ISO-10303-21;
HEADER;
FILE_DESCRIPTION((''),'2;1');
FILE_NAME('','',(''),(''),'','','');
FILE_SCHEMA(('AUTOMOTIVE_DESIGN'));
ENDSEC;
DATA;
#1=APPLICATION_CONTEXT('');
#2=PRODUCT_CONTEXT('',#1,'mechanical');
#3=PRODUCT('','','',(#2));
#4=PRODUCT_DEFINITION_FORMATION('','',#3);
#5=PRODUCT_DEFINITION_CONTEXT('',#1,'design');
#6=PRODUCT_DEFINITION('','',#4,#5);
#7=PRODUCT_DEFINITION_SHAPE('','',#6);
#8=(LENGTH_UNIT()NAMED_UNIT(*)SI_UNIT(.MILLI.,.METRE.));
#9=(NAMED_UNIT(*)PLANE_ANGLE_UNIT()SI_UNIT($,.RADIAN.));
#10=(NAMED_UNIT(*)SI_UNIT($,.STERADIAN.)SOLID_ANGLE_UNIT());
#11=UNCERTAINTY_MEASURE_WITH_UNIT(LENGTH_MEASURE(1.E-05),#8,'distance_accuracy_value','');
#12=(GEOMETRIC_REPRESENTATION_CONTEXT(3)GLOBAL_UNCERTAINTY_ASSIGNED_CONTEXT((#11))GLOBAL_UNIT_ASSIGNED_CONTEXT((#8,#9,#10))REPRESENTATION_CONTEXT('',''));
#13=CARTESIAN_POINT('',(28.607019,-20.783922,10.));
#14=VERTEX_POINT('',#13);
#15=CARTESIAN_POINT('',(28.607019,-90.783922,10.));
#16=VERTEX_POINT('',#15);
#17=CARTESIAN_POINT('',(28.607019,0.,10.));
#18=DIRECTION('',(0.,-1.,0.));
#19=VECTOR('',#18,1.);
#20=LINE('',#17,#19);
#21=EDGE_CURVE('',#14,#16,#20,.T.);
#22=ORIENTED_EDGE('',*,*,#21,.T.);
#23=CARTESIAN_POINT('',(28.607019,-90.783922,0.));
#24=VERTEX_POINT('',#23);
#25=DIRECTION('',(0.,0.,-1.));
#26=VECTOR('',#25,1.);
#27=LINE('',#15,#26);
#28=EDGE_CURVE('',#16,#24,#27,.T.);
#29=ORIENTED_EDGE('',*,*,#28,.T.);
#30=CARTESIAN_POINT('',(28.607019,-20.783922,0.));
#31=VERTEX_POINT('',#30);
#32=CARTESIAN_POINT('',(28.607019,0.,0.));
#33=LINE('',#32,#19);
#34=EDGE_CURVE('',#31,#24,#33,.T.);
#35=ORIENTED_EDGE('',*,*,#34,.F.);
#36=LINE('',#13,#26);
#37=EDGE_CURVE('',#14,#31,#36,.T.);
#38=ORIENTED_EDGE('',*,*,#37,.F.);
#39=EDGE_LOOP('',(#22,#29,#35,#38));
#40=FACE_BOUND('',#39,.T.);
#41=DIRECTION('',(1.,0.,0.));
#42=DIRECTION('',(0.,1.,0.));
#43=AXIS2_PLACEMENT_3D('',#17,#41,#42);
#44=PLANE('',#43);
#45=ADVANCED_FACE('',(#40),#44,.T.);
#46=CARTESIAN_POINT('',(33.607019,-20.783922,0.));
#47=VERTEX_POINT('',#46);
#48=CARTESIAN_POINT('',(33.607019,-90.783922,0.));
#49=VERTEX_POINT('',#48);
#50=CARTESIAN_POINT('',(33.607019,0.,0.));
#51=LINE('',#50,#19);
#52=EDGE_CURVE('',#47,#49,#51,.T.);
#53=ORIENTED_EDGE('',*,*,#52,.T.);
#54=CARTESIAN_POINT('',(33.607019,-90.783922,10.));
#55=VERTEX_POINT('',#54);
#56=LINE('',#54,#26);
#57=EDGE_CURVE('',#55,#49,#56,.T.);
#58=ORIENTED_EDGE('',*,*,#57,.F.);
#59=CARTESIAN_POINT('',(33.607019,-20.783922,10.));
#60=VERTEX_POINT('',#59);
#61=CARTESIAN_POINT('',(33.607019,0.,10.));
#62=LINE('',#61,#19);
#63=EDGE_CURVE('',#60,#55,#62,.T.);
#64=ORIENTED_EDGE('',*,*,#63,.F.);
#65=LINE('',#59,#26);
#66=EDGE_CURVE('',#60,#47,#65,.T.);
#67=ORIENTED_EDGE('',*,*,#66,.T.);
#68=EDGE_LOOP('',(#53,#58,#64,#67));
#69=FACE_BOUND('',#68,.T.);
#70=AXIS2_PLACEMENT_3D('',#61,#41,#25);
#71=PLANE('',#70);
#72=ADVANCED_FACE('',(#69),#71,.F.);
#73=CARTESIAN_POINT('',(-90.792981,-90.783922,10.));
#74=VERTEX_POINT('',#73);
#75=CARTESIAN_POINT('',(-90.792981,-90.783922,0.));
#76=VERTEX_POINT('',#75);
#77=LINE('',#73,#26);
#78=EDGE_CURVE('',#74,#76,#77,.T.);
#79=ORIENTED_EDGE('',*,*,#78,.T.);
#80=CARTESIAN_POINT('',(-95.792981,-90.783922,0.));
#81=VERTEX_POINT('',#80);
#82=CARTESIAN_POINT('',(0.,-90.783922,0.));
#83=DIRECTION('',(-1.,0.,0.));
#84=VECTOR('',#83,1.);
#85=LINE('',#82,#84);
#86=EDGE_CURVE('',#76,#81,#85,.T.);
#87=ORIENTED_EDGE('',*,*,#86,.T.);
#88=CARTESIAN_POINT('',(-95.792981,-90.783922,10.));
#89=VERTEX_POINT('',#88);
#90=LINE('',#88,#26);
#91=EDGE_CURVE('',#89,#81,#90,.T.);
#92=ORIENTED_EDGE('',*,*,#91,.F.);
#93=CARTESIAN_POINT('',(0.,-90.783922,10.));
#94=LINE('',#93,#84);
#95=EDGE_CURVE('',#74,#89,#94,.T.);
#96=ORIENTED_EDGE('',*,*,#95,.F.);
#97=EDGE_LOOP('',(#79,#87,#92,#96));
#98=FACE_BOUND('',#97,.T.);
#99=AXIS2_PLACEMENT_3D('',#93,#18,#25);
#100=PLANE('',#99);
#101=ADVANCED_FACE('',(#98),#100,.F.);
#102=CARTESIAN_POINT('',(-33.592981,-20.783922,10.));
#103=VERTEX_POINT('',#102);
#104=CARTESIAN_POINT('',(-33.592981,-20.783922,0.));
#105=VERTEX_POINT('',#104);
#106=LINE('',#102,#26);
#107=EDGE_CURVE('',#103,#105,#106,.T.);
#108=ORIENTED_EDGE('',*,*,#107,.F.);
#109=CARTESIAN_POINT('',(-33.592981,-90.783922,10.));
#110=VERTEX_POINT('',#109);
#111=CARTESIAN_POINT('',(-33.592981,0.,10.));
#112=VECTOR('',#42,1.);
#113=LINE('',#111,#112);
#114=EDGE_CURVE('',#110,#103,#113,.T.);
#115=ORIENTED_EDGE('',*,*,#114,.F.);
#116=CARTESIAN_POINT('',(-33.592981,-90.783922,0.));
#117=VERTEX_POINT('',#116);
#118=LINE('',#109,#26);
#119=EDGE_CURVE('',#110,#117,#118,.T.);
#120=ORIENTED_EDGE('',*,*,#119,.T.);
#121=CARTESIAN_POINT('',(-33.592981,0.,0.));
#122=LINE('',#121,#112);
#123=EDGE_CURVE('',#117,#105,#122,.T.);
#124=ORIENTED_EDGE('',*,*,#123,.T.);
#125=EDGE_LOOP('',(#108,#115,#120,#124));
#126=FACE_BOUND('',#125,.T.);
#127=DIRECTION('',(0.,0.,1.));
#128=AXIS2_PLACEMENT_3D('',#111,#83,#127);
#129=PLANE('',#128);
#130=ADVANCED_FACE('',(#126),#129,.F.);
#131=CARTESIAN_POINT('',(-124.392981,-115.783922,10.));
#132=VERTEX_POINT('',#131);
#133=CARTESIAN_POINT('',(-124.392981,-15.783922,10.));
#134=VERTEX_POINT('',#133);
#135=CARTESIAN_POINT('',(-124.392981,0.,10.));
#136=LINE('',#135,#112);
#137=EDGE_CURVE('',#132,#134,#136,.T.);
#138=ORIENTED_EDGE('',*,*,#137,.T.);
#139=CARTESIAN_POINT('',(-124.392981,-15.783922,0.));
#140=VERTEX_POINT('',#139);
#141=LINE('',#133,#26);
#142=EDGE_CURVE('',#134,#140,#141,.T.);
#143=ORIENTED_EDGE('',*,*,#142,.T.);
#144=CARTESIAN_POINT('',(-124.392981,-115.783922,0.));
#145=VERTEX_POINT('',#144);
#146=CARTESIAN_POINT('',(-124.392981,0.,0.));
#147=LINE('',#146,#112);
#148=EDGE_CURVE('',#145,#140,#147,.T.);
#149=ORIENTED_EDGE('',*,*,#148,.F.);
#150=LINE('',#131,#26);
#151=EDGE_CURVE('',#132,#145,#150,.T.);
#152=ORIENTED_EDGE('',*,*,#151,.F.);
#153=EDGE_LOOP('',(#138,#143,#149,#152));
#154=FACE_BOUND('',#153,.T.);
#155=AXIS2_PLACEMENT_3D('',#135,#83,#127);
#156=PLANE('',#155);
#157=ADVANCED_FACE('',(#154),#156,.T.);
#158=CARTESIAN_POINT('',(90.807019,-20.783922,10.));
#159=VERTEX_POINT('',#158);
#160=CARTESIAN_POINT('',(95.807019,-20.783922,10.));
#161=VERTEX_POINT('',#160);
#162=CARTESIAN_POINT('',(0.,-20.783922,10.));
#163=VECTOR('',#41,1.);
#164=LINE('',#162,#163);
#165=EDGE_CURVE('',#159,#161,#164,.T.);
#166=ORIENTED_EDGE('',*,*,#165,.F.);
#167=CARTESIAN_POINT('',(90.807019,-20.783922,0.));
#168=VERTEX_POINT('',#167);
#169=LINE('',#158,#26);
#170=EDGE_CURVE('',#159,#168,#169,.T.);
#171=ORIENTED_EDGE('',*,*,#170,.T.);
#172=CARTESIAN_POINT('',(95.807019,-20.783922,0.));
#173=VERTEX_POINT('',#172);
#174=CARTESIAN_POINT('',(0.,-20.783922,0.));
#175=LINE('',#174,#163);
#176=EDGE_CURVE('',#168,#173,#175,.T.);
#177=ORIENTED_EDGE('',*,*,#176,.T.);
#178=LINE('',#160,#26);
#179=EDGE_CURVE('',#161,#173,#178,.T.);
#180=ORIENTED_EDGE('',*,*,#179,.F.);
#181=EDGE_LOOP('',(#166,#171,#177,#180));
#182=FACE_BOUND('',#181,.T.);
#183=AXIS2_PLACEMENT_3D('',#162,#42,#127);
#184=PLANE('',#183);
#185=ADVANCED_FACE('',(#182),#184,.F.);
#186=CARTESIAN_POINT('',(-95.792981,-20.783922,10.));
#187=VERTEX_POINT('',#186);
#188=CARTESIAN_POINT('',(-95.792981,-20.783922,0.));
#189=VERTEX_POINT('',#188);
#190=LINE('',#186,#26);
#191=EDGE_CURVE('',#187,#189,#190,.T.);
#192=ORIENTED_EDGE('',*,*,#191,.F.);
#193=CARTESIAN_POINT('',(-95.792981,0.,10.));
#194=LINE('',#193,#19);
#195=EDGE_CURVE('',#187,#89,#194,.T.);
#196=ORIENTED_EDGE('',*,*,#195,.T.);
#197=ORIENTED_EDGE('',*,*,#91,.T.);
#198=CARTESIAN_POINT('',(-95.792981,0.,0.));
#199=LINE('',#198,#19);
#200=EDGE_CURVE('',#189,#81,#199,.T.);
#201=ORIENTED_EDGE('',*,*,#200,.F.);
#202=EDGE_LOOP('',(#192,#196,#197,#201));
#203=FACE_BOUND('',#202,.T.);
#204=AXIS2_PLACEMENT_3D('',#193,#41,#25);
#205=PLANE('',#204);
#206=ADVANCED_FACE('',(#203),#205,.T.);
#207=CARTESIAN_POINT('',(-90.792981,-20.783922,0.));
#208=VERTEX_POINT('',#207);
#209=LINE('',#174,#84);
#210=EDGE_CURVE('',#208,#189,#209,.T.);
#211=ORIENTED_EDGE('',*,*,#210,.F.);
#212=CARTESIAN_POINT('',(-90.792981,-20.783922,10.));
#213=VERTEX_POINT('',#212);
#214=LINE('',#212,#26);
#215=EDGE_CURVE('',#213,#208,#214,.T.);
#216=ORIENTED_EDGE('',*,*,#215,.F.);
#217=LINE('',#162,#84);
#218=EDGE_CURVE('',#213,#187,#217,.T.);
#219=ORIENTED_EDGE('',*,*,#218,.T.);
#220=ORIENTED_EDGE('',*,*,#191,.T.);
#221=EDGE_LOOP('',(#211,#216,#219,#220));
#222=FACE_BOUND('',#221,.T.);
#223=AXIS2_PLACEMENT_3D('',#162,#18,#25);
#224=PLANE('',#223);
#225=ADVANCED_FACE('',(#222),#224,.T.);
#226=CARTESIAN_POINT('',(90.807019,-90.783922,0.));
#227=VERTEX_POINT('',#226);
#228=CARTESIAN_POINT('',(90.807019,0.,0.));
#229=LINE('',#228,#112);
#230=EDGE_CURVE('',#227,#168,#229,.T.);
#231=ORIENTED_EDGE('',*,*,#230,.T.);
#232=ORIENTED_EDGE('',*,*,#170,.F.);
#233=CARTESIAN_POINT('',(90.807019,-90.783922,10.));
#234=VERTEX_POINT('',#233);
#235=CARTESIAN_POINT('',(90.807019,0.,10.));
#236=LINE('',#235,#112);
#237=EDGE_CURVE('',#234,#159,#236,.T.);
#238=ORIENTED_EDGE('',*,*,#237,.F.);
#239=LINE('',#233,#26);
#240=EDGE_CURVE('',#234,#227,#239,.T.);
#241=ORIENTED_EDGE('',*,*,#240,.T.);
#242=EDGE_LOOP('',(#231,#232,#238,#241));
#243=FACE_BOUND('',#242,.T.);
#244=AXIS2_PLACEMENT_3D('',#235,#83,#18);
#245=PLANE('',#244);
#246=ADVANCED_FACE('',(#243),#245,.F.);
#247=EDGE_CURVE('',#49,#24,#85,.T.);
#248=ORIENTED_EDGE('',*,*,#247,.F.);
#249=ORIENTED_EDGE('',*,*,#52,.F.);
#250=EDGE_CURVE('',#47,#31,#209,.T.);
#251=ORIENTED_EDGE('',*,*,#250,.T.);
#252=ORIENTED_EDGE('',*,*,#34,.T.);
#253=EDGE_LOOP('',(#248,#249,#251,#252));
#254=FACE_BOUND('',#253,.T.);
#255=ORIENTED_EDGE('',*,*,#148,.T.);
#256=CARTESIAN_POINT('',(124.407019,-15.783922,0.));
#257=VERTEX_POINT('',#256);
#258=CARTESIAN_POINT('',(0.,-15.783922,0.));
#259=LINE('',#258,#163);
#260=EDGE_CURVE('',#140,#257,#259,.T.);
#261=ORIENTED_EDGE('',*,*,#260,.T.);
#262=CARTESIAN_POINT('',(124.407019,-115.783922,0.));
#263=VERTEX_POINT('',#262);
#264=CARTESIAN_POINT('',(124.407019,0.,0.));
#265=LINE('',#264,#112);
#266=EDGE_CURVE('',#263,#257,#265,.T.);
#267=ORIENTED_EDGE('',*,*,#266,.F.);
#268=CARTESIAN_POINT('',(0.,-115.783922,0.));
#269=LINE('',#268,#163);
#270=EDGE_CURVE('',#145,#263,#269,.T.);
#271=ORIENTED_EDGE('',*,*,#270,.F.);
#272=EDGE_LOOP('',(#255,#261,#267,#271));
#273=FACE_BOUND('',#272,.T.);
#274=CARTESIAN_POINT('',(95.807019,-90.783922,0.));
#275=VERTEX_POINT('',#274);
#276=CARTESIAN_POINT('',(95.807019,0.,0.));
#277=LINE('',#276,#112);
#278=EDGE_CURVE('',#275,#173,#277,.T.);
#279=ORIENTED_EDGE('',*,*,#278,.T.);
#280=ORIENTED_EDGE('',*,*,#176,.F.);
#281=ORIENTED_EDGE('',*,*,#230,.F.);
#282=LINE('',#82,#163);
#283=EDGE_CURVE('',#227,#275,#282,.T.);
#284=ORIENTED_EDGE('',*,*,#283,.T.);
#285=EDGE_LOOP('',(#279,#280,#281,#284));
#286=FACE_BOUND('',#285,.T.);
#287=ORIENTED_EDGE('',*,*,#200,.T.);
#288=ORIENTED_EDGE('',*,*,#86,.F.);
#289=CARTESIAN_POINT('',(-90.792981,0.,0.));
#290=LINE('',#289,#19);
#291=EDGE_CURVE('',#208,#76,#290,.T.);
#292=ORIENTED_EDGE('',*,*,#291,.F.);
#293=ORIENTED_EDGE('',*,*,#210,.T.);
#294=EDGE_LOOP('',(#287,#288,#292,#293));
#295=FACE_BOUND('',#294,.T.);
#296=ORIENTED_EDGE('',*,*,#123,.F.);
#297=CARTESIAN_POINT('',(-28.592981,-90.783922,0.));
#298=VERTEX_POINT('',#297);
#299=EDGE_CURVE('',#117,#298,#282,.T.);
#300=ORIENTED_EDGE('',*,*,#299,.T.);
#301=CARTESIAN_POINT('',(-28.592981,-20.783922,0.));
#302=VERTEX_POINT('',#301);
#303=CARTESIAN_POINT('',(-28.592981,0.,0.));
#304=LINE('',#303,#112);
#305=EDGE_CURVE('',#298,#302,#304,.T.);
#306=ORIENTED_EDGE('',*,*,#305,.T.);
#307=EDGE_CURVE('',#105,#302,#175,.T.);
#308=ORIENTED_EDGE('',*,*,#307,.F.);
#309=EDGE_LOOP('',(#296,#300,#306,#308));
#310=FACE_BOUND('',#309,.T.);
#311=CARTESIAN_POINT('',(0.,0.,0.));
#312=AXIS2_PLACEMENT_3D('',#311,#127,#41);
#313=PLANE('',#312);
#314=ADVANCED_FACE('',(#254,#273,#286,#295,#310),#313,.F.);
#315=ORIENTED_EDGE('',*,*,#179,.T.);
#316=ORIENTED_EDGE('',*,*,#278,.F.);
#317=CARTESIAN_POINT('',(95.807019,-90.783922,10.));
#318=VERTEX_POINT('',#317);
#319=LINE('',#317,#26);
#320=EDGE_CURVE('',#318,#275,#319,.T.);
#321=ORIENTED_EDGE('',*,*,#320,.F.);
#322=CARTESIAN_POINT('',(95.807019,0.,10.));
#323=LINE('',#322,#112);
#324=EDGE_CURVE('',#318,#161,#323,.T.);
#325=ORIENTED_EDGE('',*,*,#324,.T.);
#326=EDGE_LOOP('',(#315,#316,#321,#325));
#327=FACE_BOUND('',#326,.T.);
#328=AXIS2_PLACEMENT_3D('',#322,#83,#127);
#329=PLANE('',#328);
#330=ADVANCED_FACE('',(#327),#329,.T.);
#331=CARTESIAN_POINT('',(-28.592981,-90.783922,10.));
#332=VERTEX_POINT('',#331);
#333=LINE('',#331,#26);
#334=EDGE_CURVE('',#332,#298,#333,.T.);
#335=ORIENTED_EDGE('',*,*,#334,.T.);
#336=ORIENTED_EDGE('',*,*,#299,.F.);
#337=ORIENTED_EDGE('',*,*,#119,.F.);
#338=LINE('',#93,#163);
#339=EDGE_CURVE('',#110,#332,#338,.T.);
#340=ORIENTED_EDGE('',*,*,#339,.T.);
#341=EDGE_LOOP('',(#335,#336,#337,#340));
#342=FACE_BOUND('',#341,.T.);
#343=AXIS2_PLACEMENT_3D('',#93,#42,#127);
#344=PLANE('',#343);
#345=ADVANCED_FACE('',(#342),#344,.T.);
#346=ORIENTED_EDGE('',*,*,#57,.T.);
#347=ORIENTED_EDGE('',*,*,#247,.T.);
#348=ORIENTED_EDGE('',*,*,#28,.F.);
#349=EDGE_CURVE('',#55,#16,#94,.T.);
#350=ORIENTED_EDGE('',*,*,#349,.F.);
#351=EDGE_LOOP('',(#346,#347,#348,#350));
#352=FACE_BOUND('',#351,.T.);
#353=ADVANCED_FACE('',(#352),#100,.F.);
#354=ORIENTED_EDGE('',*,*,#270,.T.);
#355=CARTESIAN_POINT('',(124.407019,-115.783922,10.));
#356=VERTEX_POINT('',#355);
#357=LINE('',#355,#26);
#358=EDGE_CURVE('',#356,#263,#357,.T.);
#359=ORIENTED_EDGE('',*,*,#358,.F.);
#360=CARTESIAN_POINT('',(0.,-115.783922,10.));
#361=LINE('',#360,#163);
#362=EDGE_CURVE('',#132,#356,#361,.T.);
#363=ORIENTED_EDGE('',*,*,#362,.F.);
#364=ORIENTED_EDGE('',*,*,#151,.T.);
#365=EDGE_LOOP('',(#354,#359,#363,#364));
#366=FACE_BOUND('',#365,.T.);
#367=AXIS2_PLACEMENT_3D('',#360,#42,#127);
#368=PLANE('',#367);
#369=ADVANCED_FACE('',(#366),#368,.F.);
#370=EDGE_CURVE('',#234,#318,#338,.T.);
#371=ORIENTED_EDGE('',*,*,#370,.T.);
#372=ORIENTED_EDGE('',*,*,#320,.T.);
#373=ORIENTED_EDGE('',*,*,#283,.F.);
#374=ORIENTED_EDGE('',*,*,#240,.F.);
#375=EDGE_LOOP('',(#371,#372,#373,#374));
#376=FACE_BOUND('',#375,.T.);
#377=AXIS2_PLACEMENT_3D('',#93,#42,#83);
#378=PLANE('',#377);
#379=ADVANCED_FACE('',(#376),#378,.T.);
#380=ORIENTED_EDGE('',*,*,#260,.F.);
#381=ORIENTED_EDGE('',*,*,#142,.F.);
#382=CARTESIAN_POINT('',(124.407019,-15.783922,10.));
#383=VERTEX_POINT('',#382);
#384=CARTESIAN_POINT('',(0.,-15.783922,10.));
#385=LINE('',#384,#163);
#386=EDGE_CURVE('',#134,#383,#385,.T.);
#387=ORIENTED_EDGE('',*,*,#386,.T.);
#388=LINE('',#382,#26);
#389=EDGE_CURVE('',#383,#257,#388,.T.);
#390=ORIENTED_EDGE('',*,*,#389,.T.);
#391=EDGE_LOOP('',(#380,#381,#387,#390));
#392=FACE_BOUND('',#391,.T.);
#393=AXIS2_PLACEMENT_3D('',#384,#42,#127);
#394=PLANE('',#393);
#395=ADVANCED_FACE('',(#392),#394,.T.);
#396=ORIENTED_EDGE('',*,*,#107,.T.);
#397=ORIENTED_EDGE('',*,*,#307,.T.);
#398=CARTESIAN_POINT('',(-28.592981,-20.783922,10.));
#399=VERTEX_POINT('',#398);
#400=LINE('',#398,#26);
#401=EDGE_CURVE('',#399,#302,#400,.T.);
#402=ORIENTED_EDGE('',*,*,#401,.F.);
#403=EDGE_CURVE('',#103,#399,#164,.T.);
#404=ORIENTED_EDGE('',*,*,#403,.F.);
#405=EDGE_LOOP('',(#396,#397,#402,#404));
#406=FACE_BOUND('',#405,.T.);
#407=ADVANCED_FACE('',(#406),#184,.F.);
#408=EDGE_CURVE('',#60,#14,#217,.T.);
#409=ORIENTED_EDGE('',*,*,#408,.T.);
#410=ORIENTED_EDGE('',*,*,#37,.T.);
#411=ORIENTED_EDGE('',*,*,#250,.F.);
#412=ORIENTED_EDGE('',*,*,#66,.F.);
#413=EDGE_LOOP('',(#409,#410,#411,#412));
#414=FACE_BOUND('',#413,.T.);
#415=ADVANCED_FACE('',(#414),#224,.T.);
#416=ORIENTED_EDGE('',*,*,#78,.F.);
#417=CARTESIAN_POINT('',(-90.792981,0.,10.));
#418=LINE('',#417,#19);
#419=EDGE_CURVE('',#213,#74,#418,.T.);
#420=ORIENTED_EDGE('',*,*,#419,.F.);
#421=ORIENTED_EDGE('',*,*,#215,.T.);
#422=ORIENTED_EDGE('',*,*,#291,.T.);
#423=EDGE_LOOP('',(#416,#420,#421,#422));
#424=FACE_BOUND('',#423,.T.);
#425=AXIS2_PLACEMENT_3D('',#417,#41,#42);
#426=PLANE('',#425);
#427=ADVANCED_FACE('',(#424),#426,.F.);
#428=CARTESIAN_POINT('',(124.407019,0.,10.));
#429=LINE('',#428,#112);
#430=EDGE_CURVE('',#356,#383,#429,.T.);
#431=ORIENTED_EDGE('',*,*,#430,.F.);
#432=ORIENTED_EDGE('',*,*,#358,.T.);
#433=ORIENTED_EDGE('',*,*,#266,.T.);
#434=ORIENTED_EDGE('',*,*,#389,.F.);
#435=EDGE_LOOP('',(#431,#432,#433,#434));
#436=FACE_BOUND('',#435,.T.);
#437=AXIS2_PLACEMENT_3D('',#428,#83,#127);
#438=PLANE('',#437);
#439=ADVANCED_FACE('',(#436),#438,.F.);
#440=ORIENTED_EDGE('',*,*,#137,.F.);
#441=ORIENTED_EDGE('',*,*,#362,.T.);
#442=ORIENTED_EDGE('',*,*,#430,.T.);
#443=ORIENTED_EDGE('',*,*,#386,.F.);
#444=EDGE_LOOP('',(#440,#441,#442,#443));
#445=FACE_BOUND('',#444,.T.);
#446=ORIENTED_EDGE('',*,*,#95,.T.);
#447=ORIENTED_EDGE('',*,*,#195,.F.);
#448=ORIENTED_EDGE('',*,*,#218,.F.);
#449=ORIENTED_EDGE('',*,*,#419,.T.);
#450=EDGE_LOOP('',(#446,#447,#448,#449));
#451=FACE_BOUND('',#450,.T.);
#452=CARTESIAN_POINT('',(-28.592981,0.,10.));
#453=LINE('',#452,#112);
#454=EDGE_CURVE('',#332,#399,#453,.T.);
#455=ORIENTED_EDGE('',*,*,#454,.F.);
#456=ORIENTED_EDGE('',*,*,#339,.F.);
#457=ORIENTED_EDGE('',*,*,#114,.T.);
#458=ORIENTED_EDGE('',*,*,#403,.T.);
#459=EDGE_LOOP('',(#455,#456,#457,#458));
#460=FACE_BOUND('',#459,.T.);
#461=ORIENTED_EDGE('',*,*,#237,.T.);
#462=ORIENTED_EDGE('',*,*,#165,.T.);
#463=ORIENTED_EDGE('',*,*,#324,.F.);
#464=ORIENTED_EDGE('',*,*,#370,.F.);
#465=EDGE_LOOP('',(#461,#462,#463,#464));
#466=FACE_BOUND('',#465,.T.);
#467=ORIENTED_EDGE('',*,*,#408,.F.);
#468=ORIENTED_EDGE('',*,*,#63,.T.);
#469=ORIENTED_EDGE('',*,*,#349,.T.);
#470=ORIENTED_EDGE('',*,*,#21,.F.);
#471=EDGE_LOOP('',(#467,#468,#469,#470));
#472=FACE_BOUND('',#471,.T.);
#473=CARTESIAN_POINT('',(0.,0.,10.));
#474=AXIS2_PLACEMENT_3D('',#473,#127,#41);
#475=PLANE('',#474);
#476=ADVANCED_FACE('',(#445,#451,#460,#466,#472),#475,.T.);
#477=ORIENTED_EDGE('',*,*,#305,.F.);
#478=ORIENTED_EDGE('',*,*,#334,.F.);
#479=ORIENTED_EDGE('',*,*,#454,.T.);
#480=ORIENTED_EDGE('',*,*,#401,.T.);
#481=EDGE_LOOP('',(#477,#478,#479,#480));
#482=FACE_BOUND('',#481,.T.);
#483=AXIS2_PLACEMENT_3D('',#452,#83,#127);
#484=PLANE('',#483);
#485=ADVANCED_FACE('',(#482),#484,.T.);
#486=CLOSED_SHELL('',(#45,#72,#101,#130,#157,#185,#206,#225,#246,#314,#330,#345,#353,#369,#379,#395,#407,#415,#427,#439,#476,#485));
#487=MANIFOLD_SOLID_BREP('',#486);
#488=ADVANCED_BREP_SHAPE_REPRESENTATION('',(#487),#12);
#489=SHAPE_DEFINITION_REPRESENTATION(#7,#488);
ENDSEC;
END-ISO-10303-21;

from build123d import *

# Parameters (mm, degrees)
SKETCH1_W           = 5
SKETCH1_H           = 70
BOSS_EXTRUDE1_DEPTH = 10


with BuildPart() as part:
    # Sketch1 → Boss-Extrude1 (new body)
    with BuildSketch(Plane.XY):
        Polygon((-124.392981478, -115.783921891), (0, -115.783921891), (124.407018522, -115.783921891), (124.407018522, -15.783921891), (-0.05047515, -15.783921891), (-124.392981478, -15.783921891), align=None)
        with Locations((-31.092981478, -55.783921891)):
            Rectangle(SKETCH1_W, SKETCH1_H, mode=Mode.SUBTRACT)
        with Locations((-93.292981478, -55.783921891)):
            Rectangle(SKETCH1_W, SKETCH1_H, mode=Mode.SUBTRACT)
        with Locations((31.107018522, -55.783921891)):
            Rectangle(SKETCH1_W, SKETCH1_H, mode=Mode.SUBTRACT)
        with Locations((93.307018522, -55.783921891)):
            Rectangle(SKETCH1_W, SKETCH1_H, mode=Mode.SUBTRACT)
    extrude(amount=BOSS_EXTRUDE1_DEPTH)


solid = part.part
